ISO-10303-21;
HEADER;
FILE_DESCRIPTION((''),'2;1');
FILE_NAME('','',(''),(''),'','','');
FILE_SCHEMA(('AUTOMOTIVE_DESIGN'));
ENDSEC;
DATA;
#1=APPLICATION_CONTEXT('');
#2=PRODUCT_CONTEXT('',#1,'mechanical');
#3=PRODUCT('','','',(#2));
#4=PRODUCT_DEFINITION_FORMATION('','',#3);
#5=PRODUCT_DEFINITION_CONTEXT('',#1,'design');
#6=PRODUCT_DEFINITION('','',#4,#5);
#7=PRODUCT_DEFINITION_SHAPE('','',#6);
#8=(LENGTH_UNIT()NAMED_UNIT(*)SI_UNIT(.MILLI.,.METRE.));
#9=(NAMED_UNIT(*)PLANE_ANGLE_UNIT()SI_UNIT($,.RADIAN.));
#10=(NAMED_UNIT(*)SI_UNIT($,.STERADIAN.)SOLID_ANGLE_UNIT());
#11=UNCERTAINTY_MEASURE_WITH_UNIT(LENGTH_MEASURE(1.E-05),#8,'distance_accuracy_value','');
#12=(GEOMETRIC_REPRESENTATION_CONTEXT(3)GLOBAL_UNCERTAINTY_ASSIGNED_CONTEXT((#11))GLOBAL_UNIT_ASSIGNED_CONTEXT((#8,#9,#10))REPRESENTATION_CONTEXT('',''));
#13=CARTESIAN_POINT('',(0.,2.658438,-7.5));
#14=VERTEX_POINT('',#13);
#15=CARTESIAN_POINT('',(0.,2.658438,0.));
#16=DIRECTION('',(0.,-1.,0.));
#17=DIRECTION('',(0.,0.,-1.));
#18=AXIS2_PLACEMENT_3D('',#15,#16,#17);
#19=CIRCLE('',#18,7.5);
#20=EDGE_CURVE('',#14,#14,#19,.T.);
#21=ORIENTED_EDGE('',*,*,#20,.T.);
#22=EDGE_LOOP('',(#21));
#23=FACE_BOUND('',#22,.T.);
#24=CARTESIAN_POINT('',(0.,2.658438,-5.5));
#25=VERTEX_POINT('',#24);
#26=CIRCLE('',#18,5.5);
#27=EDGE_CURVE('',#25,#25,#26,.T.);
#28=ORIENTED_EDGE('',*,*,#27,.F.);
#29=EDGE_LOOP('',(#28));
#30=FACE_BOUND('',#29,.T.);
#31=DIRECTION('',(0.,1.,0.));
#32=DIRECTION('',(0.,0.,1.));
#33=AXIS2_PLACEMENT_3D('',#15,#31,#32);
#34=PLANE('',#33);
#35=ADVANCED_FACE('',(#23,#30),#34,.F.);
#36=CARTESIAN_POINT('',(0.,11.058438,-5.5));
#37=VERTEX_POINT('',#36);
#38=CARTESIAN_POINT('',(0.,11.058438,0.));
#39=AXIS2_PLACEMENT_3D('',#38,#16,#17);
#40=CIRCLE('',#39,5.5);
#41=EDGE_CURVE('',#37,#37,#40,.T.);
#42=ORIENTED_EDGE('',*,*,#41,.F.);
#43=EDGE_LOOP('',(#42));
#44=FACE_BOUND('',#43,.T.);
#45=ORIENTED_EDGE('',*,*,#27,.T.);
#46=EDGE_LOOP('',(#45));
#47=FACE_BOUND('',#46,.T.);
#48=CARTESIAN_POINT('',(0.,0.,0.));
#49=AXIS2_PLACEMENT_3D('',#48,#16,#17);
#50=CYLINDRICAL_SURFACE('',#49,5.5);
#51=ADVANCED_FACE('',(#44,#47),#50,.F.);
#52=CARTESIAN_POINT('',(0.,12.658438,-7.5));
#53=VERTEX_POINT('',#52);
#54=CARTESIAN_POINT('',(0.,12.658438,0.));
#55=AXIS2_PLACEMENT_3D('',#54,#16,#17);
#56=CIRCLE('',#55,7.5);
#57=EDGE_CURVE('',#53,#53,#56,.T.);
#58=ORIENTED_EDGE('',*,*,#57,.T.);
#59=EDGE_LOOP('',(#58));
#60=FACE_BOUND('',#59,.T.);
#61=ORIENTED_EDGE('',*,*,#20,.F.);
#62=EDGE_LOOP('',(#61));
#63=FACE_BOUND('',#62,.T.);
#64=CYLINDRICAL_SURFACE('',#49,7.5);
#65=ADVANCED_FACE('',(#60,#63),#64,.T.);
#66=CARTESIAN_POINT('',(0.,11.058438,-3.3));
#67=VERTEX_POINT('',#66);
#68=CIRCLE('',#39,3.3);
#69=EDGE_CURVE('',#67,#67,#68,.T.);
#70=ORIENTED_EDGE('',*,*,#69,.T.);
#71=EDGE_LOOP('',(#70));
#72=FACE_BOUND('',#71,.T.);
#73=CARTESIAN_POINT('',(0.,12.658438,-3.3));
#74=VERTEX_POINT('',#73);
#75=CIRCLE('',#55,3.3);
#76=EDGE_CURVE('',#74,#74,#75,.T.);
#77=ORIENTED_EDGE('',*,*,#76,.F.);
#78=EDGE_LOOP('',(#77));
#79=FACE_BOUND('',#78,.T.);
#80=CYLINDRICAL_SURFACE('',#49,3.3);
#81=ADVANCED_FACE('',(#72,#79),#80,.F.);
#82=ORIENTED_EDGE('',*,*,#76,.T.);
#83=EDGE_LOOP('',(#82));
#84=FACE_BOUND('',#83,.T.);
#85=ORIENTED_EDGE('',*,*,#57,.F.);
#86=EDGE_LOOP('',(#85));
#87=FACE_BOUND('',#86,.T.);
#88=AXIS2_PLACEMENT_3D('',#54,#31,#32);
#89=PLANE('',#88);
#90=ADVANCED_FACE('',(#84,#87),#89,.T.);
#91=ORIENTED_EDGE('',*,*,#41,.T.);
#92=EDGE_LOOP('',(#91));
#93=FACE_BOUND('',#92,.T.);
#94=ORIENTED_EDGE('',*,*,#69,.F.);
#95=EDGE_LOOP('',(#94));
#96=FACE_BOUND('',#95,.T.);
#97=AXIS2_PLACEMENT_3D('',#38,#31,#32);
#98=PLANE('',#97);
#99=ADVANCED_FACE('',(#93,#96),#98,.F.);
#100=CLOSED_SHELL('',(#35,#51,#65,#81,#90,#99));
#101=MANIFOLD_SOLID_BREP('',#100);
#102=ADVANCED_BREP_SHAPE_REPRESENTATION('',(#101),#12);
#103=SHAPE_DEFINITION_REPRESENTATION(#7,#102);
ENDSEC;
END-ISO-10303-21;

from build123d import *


with BuildPart() as part:
    # Szkic1 → Obrót1 (revolve)
    with BuildSketch(Plane.XY):
        Polygon((-3.3, 12.658437775), (-7.5, 12.658437775), (-7.5, 2.658437775), (-5.5, 2.658437775), (-5.5, 11.058437775), (-3.3, 11.058437775), align=None)
    revolve(axis=Axis((0, 0, 0), (0, 1, 0)))


solid = part.part
